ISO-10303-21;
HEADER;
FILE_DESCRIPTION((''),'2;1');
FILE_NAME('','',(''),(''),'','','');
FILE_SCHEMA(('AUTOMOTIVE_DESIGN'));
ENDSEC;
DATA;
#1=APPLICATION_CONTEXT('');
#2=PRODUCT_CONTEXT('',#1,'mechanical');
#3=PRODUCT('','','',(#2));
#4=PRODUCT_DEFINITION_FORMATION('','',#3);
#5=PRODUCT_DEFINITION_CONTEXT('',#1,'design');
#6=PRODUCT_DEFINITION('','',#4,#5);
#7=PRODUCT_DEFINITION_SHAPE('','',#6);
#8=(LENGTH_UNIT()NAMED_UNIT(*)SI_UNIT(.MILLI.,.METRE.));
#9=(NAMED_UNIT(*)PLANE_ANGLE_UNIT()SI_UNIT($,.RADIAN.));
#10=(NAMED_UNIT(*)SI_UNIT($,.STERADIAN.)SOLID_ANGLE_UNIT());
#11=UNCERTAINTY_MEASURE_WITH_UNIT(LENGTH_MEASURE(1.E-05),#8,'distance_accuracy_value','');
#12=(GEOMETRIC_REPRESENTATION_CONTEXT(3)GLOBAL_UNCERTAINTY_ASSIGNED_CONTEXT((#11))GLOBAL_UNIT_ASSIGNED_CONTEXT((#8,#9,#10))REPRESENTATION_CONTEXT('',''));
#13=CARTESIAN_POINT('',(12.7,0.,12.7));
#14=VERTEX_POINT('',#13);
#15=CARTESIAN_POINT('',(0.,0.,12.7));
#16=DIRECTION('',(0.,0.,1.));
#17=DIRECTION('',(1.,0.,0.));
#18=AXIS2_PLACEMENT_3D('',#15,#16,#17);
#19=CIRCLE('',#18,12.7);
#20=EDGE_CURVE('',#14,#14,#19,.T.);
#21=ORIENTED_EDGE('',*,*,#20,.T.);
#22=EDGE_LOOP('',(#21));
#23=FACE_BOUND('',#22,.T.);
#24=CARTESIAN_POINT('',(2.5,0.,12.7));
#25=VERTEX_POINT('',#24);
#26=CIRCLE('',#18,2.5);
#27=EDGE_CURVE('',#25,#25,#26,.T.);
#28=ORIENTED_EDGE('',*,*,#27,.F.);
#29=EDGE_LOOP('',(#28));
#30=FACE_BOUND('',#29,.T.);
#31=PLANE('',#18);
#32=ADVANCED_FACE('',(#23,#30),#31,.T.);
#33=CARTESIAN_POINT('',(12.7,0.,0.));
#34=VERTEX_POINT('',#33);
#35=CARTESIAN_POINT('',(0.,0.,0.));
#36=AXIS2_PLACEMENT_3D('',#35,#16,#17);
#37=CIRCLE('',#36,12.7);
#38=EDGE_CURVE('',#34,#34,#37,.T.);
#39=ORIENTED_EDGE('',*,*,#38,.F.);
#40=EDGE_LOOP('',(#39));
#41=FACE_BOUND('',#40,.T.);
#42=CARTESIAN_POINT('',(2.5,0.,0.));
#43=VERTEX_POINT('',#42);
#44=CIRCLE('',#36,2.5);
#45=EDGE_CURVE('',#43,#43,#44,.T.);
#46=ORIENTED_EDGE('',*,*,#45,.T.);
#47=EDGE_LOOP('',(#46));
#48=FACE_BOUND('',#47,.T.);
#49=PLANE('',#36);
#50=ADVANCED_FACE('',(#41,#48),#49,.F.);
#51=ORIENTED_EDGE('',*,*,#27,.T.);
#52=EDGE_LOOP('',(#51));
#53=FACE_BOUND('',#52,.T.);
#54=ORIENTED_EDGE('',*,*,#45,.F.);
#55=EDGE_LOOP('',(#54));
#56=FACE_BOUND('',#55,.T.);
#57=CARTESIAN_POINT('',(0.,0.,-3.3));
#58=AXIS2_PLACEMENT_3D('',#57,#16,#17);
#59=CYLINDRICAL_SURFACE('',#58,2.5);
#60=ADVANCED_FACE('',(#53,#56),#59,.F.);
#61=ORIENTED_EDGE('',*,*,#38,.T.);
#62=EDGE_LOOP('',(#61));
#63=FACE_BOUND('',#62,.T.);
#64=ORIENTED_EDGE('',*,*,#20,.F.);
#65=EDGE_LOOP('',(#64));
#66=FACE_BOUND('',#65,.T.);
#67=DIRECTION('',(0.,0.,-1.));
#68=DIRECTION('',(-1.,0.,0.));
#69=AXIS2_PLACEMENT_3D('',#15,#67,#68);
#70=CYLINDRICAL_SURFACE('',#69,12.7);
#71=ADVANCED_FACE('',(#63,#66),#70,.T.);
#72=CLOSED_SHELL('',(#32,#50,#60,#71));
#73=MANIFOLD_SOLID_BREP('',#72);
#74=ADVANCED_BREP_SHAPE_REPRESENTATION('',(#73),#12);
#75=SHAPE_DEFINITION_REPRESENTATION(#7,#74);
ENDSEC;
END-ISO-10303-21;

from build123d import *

# Parameters (mm, degrees)
SKETCH1_R           = 12.7
BOSS_EXTRUDE1_DEPTH = 12.7
SKETCH2_R           = 2.5
CUT_EXTRUDE1_DEPTH  = 16


with BuildPart() as part:
    # Sketch1 → Boss-Extrude1 (new body)
    with BuildSketch(Plane.XY):
        Circle(SKETCH1_R)
    extrude(amount=BOSS_EXTRUDE1_DEPTH)

    # Sketch2 → Cut-Extrude1 (cut)
    with BuildSketch(Plane.XY.offset(12.7)):
        Circle(SKETCH2_R)
    extrude(amount=-CUT_EXTRUDE1_DEPTH, mode=Mode.SUBTRACT)


solid = part.part
